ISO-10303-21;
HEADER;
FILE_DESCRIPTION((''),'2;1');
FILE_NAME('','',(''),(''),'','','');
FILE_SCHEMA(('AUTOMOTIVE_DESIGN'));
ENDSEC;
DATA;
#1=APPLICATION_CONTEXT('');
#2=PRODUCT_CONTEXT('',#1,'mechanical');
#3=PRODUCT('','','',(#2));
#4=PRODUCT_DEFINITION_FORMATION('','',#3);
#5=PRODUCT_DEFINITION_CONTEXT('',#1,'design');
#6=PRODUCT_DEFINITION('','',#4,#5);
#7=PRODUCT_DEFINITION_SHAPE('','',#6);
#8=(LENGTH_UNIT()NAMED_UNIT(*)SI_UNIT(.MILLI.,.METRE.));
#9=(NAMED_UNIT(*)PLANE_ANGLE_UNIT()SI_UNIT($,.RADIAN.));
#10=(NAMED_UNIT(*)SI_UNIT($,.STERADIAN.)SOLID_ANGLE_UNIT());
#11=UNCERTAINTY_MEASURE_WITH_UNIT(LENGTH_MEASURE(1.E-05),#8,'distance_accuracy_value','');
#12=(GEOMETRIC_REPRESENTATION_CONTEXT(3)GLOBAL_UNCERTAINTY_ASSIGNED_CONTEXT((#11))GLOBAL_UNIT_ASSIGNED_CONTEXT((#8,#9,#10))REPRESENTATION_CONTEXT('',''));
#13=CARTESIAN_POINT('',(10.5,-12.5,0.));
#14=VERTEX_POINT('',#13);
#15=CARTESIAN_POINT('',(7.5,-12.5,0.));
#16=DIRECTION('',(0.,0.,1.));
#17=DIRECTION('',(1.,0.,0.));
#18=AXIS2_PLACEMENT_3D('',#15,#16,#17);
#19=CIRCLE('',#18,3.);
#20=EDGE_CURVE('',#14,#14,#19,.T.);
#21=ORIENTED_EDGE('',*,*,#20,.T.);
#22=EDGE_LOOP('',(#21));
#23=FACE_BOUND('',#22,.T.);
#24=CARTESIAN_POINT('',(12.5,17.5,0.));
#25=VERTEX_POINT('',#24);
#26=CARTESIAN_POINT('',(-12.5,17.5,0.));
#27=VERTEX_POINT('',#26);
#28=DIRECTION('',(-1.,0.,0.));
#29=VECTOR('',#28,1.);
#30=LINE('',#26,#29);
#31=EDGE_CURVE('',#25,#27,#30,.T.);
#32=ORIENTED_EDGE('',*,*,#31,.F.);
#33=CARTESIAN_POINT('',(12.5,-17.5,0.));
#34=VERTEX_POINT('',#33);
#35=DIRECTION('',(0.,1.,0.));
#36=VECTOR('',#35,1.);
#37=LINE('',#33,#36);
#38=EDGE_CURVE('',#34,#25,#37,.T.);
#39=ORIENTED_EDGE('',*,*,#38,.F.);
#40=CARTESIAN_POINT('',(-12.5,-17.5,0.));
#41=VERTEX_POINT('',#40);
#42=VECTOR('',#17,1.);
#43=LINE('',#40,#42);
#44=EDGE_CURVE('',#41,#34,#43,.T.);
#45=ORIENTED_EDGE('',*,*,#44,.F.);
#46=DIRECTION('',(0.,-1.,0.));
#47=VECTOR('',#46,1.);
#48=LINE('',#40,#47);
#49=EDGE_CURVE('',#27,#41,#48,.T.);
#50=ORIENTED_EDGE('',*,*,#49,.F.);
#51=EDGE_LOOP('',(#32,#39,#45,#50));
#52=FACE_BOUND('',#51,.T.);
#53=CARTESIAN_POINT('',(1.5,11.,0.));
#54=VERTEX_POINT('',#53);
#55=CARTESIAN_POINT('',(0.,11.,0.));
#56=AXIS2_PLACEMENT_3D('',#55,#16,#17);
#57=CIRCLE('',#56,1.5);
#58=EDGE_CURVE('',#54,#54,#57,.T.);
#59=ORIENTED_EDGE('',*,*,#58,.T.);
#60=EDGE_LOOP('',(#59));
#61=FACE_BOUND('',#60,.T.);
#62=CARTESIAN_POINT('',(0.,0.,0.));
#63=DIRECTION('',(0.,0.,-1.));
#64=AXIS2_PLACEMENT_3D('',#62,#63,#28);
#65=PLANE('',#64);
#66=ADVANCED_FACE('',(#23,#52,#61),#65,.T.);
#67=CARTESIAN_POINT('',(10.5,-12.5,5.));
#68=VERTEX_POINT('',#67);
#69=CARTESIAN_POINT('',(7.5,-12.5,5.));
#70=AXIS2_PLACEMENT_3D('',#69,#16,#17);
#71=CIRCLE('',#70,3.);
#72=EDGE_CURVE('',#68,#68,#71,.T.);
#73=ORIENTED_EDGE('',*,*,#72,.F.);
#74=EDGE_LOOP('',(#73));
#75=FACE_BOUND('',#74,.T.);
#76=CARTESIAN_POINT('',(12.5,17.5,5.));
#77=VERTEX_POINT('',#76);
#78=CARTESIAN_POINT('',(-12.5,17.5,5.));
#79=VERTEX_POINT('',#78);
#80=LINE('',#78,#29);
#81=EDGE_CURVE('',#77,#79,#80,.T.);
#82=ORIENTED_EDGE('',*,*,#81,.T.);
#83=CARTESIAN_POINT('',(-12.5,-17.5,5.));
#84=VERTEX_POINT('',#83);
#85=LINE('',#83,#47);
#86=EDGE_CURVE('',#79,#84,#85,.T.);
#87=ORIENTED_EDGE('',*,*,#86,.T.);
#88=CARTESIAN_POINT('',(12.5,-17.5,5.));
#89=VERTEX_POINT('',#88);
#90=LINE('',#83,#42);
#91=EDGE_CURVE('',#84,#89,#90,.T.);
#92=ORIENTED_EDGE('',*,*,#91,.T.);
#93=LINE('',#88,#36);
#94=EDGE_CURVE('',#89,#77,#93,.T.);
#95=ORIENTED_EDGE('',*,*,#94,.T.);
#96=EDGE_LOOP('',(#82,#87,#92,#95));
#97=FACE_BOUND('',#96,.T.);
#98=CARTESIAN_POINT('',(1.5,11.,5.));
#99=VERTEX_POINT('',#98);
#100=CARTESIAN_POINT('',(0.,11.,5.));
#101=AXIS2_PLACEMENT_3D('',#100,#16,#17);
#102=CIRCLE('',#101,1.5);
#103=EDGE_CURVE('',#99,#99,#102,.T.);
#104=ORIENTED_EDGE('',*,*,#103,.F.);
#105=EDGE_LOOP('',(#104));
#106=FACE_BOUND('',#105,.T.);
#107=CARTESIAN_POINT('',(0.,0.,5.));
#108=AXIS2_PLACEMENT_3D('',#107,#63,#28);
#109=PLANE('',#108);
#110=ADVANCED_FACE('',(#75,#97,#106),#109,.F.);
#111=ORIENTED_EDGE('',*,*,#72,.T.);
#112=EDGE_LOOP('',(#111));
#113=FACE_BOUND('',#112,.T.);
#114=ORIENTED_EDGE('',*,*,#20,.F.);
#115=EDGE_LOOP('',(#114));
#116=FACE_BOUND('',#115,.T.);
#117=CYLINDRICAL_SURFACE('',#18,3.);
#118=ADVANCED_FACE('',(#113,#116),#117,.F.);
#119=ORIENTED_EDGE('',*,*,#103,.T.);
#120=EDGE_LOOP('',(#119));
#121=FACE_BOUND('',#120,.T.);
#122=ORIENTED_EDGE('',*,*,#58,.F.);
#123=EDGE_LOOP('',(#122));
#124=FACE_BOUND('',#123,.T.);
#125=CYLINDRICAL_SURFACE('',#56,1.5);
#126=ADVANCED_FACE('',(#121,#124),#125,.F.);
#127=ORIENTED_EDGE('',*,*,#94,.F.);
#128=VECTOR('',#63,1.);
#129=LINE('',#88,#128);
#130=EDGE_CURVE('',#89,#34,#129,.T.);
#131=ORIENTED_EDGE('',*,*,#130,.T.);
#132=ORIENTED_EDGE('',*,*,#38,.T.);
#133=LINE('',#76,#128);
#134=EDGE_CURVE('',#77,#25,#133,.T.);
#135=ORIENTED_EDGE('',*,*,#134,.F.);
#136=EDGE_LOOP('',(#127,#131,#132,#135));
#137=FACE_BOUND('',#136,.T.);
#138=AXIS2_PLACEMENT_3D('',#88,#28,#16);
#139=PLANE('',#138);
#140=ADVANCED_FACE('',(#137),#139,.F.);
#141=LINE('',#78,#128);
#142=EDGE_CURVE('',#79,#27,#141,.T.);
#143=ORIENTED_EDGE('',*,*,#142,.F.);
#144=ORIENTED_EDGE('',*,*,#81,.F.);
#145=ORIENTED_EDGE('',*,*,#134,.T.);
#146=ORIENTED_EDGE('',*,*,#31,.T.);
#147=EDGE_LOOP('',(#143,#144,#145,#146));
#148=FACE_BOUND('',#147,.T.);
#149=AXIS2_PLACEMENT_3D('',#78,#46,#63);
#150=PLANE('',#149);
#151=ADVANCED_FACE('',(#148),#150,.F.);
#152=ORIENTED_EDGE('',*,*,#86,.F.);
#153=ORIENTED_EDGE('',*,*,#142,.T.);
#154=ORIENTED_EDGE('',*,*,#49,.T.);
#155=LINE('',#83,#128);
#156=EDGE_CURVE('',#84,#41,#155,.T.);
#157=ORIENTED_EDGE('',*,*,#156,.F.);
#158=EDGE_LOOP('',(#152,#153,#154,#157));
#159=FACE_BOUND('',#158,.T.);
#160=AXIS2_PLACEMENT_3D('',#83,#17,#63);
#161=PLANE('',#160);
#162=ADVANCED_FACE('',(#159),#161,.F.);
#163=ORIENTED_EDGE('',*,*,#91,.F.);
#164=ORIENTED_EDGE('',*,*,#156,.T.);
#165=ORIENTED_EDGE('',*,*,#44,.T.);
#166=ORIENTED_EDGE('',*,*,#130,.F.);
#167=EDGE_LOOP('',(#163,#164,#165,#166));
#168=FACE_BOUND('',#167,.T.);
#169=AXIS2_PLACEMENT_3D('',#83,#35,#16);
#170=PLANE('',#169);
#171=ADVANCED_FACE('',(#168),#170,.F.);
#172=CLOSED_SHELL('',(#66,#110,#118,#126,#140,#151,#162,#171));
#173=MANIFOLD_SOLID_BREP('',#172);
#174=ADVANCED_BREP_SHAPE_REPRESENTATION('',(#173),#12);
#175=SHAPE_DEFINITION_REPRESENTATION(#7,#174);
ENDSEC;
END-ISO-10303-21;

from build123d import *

# Parameters (mm, degrees)
SKETCH2_W           = 25
SKETCH2_H           = 35
BOSS_EXTRUDE1_DEPTH = 5
SKETCH4_R           = 1.5
CUT_EXTRUDE1_DEPTH  = 23.079402166
SKETCH6_R           = 3
CUT_EXTRUDE2_DEPTH  = 23.079402166


with BuildPart() as part:
    # Sketch2 → Boss-Extrude1 (new body)
    with BuildSketch(Plane.XY):
        Rectangle(SKETCH2_W, SKETCH2_H)
    extrude(amount=BOSS_EXTRUDE1_DEPTH)

    # Sketch4 → Cut-Extrude1 (cut, through all)
    with BuildSketch(Plane.XY.offset(5)):
        with Locations((0, 11)):
            Circle(SKETCH4_R)
    extrude(amount=-CUT_EXTRUDE1_DEPTH, mode=Mode.SUBTRACT)

    # Sketch6 → Cut-Extrude2 (cut, through all)
    with BuildSketch(Plane.XY.offset(5)):
        with Locations((7.5, -12.5)):
            Circle(SKETCH6_R)
    extrude(amount=-CUT_EXTRUDE2_DEPTH, mode=Mode.SUBTRACT)


solid = part.part
